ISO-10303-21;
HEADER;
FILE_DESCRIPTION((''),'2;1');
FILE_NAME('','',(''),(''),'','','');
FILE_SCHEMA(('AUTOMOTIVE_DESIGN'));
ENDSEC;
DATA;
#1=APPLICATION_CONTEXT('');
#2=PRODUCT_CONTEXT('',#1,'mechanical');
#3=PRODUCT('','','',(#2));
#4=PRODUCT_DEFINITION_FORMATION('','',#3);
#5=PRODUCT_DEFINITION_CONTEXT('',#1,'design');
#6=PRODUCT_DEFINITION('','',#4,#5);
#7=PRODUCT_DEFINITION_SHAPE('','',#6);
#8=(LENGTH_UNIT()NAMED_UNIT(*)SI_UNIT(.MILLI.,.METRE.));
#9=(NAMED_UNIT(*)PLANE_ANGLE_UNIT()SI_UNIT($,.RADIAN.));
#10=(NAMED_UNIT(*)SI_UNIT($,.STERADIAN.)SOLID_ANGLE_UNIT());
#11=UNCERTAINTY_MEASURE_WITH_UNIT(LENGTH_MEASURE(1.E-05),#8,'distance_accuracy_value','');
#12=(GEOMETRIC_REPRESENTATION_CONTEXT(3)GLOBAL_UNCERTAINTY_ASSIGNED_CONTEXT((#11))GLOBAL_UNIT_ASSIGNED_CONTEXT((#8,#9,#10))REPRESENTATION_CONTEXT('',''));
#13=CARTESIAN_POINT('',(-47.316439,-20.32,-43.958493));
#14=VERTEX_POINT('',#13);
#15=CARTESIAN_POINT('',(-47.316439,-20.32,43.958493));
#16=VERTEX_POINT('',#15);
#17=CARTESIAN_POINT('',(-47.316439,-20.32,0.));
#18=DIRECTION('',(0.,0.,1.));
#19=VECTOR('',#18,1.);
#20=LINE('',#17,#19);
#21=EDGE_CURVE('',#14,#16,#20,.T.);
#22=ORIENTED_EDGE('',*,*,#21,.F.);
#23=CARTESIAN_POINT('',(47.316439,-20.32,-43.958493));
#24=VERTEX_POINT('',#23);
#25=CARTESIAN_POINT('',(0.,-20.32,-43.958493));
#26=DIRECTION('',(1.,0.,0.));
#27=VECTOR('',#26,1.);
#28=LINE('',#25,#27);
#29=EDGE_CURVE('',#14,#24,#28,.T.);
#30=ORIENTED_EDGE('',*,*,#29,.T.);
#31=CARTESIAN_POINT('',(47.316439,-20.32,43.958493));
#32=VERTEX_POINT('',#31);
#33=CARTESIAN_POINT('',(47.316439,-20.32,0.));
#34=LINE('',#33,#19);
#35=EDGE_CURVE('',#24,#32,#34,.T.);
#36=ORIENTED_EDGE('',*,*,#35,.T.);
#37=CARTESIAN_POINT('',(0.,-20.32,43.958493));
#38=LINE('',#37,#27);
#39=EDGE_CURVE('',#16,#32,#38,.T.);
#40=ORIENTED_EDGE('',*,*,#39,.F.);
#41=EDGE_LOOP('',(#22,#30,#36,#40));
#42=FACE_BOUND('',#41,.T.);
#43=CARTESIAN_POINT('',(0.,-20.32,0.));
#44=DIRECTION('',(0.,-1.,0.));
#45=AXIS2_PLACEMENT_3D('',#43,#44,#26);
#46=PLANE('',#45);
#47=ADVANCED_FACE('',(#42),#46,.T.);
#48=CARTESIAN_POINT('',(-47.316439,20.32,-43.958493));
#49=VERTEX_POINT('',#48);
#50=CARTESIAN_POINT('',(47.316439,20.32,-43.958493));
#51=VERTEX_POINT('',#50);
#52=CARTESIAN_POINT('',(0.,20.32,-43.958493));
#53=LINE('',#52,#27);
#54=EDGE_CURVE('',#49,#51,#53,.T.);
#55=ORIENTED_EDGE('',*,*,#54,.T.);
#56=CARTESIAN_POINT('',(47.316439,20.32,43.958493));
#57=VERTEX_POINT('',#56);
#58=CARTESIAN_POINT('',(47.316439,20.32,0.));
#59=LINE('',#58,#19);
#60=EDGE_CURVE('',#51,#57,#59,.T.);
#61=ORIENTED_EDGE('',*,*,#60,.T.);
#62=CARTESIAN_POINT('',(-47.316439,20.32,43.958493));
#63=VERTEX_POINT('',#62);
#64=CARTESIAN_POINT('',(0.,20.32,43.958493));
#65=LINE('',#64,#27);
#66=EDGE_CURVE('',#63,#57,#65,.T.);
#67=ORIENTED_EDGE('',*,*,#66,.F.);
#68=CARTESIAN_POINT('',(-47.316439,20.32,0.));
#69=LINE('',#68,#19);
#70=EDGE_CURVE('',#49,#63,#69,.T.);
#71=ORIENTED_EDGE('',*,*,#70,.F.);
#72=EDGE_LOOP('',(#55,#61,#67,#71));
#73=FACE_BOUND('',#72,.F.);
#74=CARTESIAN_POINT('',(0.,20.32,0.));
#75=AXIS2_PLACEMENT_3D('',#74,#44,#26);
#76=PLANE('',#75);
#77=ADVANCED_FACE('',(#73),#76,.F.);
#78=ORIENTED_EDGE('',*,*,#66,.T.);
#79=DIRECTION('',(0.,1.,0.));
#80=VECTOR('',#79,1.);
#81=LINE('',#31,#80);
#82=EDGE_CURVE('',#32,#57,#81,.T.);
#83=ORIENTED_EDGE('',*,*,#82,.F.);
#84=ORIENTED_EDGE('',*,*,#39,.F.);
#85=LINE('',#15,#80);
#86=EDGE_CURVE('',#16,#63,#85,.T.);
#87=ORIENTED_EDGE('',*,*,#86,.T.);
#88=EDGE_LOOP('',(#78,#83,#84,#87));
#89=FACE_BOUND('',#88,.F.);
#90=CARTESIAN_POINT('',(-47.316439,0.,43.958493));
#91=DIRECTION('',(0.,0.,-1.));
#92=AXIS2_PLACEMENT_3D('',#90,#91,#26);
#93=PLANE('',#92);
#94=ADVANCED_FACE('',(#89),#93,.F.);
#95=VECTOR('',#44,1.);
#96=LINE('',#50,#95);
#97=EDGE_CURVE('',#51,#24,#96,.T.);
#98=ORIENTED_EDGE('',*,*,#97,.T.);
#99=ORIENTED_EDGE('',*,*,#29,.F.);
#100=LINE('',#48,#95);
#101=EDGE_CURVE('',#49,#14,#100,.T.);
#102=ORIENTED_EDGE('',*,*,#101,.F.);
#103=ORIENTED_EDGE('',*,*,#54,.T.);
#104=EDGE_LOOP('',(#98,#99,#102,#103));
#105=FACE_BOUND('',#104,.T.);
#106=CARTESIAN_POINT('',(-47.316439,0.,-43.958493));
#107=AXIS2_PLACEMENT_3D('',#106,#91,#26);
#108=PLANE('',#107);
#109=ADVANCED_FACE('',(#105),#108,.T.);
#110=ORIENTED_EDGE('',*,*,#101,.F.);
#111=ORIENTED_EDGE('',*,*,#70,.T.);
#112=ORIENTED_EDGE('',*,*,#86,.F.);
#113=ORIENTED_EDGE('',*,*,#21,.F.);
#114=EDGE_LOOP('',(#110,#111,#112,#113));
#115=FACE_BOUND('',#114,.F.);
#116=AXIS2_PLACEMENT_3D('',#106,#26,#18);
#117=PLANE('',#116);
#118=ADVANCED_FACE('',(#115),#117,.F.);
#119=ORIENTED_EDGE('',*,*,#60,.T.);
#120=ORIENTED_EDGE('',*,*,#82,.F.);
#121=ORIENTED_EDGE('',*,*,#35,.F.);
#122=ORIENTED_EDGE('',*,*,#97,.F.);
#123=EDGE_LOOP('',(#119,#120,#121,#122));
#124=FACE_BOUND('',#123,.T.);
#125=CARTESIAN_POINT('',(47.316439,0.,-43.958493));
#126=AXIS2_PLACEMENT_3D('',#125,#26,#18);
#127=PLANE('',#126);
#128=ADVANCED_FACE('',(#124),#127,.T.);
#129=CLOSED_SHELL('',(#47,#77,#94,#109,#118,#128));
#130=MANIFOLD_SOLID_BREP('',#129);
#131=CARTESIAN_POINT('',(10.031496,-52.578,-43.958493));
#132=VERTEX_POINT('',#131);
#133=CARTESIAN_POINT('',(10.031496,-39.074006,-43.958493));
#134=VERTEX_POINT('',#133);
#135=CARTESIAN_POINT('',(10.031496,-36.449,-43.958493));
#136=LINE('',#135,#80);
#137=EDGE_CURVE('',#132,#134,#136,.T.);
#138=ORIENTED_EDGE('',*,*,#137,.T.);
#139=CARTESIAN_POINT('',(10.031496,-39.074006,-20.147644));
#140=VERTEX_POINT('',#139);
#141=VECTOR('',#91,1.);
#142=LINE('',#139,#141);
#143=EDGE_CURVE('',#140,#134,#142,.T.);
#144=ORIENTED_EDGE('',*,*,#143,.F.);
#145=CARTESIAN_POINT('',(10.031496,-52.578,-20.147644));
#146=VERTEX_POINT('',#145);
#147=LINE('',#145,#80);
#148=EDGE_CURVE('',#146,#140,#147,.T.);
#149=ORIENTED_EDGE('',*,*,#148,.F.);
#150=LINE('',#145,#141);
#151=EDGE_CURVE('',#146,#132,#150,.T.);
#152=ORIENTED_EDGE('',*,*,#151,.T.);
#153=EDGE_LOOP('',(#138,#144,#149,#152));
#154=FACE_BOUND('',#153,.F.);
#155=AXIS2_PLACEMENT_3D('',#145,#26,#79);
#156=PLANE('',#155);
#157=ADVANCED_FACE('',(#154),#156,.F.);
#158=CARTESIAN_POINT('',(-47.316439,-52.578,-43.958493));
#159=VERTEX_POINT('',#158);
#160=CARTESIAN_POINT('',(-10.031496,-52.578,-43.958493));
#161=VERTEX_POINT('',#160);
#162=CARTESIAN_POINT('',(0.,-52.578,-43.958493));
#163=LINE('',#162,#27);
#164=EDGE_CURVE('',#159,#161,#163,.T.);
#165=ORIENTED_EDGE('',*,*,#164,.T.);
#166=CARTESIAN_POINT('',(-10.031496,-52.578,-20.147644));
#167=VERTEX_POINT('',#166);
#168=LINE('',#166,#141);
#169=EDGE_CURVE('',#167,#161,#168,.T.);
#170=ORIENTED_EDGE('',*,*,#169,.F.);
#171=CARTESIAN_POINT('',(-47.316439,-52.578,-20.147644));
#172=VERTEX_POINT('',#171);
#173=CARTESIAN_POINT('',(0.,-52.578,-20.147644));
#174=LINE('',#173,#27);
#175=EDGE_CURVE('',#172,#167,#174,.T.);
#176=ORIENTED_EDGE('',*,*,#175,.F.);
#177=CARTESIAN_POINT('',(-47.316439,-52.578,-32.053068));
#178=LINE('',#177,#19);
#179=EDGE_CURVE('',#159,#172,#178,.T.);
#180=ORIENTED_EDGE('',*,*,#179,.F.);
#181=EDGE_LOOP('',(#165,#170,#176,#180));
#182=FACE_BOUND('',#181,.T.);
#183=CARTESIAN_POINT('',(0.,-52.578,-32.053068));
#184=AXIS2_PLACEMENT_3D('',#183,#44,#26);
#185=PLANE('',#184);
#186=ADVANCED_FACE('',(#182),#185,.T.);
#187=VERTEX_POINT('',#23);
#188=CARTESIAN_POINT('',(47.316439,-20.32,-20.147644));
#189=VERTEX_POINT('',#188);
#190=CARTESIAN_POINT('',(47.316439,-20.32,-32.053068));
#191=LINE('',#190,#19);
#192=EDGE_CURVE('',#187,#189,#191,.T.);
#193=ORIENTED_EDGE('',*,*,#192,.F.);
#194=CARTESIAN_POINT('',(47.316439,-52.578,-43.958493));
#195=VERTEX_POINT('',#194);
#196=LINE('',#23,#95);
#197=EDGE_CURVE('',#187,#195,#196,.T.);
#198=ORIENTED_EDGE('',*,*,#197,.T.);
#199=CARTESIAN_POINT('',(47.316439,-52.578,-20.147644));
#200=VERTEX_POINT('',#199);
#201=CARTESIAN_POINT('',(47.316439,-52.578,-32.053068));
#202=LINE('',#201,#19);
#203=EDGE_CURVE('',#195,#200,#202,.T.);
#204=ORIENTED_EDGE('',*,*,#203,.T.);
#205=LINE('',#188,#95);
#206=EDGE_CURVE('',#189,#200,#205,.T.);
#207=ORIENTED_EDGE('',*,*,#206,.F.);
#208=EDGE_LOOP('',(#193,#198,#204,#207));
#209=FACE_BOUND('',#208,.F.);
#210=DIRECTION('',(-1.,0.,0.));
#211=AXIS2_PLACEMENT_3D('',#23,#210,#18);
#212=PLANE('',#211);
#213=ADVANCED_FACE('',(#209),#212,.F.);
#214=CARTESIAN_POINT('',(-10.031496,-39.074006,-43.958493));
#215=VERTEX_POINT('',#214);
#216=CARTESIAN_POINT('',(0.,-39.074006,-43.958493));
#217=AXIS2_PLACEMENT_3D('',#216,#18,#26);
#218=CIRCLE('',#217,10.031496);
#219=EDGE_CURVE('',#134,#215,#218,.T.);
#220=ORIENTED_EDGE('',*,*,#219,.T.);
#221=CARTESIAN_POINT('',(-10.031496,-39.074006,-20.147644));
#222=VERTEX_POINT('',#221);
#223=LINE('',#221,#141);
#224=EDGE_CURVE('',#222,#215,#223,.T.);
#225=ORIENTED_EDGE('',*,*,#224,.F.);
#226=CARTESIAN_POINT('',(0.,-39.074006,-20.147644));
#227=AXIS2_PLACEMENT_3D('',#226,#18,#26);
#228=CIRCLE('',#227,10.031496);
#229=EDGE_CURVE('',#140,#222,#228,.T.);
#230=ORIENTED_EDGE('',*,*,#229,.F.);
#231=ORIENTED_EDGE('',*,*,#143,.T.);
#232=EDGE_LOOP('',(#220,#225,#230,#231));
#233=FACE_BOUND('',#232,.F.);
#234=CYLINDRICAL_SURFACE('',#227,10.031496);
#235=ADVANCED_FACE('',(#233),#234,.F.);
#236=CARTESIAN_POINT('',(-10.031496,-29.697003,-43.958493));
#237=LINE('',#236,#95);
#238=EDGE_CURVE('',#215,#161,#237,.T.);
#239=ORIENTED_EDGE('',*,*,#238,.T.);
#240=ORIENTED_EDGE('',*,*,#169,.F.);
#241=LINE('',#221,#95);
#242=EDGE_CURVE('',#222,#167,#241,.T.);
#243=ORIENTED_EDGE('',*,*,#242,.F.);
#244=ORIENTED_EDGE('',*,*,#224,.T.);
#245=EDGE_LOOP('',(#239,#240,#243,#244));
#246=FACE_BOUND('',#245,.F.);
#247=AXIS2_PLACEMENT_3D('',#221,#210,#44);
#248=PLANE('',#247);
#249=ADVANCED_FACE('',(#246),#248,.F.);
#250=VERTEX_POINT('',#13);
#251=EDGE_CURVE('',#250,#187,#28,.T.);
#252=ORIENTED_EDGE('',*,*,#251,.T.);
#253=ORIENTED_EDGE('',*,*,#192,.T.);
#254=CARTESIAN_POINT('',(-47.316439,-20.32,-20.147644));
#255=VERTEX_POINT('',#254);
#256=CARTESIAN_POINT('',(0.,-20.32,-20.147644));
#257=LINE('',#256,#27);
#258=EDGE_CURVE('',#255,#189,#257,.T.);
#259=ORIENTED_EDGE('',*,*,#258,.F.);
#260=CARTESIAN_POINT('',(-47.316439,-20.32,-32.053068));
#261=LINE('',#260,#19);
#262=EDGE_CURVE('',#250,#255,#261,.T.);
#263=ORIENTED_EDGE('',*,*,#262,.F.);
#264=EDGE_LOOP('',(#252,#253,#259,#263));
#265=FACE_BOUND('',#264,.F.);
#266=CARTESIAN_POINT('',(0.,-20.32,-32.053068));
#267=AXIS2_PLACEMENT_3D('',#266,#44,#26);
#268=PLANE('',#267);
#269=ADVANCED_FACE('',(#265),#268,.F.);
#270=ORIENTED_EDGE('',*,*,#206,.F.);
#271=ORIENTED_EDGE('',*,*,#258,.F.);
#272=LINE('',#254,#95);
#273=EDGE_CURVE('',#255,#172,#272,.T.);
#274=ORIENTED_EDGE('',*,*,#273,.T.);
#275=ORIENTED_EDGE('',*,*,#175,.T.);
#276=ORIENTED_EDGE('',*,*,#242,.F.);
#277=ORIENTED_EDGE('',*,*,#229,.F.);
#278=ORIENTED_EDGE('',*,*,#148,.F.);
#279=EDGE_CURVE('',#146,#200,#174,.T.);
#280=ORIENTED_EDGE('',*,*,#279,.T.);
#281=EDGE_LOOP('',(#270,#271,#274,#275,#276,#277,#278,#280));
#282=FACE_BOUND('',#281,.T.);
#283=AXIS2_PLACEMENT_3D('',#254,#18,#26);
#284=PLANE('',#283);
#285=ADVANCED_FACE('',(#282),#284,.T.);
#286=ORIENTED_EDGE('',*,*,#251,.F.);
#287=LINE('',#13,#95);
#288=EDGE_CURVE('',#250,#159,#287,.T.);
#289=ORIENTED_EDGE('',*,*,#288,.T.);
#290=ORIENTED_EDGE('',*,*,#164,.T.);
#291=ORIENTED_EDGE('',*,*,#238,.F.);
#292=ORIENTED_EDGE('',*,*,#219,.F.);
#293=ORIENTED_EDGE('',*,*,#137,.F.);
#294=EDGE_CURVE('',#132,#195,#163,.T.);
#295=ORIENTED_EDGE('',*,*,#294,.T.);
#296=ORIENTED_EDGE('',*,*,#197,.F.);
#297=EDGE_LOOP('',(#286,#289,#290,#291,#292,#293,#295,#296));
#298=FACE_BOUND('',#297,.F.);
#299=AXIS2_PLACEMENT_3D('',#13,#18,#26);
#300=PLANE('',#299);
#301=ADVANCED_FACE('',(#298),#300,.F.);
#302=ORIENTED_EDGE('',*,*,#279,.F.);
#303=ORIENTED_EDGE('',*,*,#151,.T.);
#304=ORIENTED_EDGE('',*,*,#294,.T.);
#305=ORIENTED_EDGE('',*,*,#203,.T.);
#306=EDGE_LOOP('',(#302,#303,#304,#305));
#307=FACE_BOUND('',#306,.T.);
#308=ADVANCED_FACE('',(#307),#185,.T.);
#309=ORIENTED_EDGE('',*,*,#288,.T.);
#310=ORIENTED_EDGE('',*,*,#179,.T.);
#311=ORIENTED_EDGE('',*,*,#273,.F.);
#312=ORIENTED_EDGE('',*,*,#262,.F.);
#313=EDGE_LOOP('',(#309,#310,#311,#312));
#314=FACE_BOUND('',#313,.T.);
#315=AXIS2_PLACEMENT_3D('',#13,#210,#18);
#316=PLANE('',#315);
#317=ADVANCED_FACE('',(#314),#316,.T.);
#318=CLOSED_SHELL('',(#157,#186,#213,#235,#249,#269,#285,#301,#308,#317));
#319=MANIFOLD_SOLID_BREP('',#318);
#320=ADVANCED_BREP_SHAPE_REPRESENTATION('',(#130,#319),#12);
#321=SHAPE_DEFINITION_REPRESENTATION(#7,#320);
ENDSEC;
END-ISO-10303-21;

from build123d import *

# Parameters (mm, degrees)
F0_W     = 94.6328788996
F0_H     = 87.9169851542
F1_DEPTH = 20.32
F2_W     = 94.6328788996
F2_H     = 23.8108485937
F3_DEPTH = 32.258
F5_DEPTH = 23.8118485937


with BuildPart() as f1:
    # F0 (on Front) → F1 (new body, symmetric)
    with BuildSketch(Plane.XZ):
        Rectangle(F0_W, F0_H)
    extrude(amount=F1_DEPTH, both=True)


with BuildPart() as f3:
    # F2 (on face) → F3 (new body)
    with BuildSketch(Plane.XZ.offset(20.32)):
        with Locations((0, -32.0530682802)):
            Rectangle(F2_W, F2_H)
    extrude(amount=F3_DEPTH)

    # F4 (on face) → F5 (cut, through all)
    with BuildSketch(Plane.XY.offset(-20.1476439834)):
        with BuildLine():
            ThreePointArc((-10.0314961746, -39.0740061632), (0, -49.1055023379), (10.0314961746, -39.0740061632))
            ThreePointArc((10.0314961746, -39.0740061632), (0, -29.0425099886), (-10.0314961746, -39.0740061632))
        make_face()
        with BuildLine():
            Line((10.0314961746, -52.578), (10.0314961746, -39.0740061632))
            ThreePointArc((10.0314961746, -39.0740061632), (0, -49.1055023379), (-10.0314961746, -39.0740061632))
            Line((-10.0314961746, -39.0740061632), (-10.0314961746, -52.578))
            Line((-10.0314961746, -52.578), (10.0314961746, -52.578))
        make_face()
    extrude(amount=-F5_DEPTH, mode=Mode.SUBTRACT)


solid = Compound([f1.part, f3.part])
